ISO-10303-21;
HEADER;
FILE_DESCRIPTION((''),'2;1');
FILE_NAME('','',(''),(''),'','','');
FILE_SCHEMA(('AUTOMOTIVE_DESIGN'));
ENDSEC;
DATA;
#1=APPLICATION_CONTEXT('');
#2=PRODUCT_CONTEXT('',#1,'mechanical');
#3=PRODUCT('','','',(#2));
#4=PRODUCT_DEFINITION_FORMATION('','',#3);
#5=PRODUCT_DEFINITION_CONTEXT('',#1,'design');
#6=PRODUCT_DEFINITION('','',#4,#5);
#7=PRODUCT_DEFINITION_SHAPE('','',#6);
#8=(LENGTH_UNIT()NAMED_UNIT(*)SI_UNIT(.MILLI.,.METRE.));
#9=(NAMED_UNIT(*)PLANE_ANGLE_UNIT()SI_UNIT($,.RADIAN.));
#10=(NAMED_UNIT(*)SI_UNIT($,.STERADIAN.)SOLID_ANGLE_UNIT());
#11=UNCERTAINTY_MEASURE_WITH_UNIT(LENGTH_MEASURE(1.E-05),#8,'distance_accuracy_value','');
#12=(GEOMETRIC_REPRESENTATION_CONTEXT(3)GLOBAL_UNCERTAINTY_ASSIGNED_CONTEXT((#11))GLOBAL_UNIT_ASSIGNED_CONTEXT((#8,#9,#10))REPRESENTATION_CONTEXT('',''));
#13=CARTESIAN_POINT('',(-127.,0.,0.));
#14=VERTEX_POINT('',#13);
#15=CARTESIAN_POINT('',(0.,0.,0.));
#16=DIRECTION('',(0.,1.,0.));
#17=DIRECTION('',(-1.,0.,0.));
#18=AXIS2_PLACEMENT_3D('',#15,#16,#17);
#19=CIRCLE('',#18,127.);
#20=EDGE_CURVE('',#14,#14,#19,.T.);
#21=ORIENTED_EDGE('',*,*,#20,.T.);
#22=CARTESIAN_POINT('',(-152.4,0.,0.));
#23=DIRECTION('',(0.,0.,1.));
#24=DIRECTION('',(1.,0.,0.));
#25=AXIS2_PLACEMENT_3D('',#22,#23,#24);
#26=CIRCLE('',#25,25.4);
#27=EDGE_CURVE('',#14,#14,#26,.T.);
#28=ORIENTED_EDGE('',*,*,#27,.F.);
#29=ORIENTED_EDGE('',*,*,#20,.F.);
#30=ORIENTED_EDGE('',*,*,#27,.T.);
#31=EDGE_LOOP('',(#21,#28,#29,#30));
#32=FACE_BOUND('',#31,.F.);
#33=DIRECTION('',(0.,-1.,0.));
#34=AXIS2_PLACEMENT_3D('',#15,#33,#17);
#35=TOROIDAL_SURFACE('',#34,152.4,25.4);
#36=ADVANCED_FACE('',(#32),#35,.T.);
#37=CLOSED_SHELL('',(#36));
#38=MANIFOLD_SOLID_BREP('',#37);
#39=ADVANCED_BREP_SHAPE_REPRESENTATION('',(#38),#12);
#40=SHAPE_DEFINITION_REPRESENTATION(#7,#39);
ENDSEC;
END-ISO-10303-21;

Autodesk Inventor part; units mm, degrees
ref_plane "YZ Plane" through (0, 0, 0) normal (1, 0, 0) x (0, 1, 0)
ref_plane "XZ Plane" through (0, 0, 0) normal (0, 1, 0) x (-1, 0, 0)
ref_plane "XY Plane" through (0, 0, 0) normal (0, 0, 1) x (1, 0, 0)
sketch "Sketch1" plane through (0, 0, 0) normal (0, 0, 1) x (1, 0, 0)
  circle A0 centre (-152.4, 0) radius 25.4
  line L0 (0, 0) -> (0, 27.5858) construction
  dimension "d0" = 50.8
  dimension "d1" = 304.8
revolve "Revolution1" add sketch "Sketch1" angle 360 about axis through (0, 0, 0) along (0, 1, 0)
properties part number "FRC 2024 Note" material "ABS Plastic"
